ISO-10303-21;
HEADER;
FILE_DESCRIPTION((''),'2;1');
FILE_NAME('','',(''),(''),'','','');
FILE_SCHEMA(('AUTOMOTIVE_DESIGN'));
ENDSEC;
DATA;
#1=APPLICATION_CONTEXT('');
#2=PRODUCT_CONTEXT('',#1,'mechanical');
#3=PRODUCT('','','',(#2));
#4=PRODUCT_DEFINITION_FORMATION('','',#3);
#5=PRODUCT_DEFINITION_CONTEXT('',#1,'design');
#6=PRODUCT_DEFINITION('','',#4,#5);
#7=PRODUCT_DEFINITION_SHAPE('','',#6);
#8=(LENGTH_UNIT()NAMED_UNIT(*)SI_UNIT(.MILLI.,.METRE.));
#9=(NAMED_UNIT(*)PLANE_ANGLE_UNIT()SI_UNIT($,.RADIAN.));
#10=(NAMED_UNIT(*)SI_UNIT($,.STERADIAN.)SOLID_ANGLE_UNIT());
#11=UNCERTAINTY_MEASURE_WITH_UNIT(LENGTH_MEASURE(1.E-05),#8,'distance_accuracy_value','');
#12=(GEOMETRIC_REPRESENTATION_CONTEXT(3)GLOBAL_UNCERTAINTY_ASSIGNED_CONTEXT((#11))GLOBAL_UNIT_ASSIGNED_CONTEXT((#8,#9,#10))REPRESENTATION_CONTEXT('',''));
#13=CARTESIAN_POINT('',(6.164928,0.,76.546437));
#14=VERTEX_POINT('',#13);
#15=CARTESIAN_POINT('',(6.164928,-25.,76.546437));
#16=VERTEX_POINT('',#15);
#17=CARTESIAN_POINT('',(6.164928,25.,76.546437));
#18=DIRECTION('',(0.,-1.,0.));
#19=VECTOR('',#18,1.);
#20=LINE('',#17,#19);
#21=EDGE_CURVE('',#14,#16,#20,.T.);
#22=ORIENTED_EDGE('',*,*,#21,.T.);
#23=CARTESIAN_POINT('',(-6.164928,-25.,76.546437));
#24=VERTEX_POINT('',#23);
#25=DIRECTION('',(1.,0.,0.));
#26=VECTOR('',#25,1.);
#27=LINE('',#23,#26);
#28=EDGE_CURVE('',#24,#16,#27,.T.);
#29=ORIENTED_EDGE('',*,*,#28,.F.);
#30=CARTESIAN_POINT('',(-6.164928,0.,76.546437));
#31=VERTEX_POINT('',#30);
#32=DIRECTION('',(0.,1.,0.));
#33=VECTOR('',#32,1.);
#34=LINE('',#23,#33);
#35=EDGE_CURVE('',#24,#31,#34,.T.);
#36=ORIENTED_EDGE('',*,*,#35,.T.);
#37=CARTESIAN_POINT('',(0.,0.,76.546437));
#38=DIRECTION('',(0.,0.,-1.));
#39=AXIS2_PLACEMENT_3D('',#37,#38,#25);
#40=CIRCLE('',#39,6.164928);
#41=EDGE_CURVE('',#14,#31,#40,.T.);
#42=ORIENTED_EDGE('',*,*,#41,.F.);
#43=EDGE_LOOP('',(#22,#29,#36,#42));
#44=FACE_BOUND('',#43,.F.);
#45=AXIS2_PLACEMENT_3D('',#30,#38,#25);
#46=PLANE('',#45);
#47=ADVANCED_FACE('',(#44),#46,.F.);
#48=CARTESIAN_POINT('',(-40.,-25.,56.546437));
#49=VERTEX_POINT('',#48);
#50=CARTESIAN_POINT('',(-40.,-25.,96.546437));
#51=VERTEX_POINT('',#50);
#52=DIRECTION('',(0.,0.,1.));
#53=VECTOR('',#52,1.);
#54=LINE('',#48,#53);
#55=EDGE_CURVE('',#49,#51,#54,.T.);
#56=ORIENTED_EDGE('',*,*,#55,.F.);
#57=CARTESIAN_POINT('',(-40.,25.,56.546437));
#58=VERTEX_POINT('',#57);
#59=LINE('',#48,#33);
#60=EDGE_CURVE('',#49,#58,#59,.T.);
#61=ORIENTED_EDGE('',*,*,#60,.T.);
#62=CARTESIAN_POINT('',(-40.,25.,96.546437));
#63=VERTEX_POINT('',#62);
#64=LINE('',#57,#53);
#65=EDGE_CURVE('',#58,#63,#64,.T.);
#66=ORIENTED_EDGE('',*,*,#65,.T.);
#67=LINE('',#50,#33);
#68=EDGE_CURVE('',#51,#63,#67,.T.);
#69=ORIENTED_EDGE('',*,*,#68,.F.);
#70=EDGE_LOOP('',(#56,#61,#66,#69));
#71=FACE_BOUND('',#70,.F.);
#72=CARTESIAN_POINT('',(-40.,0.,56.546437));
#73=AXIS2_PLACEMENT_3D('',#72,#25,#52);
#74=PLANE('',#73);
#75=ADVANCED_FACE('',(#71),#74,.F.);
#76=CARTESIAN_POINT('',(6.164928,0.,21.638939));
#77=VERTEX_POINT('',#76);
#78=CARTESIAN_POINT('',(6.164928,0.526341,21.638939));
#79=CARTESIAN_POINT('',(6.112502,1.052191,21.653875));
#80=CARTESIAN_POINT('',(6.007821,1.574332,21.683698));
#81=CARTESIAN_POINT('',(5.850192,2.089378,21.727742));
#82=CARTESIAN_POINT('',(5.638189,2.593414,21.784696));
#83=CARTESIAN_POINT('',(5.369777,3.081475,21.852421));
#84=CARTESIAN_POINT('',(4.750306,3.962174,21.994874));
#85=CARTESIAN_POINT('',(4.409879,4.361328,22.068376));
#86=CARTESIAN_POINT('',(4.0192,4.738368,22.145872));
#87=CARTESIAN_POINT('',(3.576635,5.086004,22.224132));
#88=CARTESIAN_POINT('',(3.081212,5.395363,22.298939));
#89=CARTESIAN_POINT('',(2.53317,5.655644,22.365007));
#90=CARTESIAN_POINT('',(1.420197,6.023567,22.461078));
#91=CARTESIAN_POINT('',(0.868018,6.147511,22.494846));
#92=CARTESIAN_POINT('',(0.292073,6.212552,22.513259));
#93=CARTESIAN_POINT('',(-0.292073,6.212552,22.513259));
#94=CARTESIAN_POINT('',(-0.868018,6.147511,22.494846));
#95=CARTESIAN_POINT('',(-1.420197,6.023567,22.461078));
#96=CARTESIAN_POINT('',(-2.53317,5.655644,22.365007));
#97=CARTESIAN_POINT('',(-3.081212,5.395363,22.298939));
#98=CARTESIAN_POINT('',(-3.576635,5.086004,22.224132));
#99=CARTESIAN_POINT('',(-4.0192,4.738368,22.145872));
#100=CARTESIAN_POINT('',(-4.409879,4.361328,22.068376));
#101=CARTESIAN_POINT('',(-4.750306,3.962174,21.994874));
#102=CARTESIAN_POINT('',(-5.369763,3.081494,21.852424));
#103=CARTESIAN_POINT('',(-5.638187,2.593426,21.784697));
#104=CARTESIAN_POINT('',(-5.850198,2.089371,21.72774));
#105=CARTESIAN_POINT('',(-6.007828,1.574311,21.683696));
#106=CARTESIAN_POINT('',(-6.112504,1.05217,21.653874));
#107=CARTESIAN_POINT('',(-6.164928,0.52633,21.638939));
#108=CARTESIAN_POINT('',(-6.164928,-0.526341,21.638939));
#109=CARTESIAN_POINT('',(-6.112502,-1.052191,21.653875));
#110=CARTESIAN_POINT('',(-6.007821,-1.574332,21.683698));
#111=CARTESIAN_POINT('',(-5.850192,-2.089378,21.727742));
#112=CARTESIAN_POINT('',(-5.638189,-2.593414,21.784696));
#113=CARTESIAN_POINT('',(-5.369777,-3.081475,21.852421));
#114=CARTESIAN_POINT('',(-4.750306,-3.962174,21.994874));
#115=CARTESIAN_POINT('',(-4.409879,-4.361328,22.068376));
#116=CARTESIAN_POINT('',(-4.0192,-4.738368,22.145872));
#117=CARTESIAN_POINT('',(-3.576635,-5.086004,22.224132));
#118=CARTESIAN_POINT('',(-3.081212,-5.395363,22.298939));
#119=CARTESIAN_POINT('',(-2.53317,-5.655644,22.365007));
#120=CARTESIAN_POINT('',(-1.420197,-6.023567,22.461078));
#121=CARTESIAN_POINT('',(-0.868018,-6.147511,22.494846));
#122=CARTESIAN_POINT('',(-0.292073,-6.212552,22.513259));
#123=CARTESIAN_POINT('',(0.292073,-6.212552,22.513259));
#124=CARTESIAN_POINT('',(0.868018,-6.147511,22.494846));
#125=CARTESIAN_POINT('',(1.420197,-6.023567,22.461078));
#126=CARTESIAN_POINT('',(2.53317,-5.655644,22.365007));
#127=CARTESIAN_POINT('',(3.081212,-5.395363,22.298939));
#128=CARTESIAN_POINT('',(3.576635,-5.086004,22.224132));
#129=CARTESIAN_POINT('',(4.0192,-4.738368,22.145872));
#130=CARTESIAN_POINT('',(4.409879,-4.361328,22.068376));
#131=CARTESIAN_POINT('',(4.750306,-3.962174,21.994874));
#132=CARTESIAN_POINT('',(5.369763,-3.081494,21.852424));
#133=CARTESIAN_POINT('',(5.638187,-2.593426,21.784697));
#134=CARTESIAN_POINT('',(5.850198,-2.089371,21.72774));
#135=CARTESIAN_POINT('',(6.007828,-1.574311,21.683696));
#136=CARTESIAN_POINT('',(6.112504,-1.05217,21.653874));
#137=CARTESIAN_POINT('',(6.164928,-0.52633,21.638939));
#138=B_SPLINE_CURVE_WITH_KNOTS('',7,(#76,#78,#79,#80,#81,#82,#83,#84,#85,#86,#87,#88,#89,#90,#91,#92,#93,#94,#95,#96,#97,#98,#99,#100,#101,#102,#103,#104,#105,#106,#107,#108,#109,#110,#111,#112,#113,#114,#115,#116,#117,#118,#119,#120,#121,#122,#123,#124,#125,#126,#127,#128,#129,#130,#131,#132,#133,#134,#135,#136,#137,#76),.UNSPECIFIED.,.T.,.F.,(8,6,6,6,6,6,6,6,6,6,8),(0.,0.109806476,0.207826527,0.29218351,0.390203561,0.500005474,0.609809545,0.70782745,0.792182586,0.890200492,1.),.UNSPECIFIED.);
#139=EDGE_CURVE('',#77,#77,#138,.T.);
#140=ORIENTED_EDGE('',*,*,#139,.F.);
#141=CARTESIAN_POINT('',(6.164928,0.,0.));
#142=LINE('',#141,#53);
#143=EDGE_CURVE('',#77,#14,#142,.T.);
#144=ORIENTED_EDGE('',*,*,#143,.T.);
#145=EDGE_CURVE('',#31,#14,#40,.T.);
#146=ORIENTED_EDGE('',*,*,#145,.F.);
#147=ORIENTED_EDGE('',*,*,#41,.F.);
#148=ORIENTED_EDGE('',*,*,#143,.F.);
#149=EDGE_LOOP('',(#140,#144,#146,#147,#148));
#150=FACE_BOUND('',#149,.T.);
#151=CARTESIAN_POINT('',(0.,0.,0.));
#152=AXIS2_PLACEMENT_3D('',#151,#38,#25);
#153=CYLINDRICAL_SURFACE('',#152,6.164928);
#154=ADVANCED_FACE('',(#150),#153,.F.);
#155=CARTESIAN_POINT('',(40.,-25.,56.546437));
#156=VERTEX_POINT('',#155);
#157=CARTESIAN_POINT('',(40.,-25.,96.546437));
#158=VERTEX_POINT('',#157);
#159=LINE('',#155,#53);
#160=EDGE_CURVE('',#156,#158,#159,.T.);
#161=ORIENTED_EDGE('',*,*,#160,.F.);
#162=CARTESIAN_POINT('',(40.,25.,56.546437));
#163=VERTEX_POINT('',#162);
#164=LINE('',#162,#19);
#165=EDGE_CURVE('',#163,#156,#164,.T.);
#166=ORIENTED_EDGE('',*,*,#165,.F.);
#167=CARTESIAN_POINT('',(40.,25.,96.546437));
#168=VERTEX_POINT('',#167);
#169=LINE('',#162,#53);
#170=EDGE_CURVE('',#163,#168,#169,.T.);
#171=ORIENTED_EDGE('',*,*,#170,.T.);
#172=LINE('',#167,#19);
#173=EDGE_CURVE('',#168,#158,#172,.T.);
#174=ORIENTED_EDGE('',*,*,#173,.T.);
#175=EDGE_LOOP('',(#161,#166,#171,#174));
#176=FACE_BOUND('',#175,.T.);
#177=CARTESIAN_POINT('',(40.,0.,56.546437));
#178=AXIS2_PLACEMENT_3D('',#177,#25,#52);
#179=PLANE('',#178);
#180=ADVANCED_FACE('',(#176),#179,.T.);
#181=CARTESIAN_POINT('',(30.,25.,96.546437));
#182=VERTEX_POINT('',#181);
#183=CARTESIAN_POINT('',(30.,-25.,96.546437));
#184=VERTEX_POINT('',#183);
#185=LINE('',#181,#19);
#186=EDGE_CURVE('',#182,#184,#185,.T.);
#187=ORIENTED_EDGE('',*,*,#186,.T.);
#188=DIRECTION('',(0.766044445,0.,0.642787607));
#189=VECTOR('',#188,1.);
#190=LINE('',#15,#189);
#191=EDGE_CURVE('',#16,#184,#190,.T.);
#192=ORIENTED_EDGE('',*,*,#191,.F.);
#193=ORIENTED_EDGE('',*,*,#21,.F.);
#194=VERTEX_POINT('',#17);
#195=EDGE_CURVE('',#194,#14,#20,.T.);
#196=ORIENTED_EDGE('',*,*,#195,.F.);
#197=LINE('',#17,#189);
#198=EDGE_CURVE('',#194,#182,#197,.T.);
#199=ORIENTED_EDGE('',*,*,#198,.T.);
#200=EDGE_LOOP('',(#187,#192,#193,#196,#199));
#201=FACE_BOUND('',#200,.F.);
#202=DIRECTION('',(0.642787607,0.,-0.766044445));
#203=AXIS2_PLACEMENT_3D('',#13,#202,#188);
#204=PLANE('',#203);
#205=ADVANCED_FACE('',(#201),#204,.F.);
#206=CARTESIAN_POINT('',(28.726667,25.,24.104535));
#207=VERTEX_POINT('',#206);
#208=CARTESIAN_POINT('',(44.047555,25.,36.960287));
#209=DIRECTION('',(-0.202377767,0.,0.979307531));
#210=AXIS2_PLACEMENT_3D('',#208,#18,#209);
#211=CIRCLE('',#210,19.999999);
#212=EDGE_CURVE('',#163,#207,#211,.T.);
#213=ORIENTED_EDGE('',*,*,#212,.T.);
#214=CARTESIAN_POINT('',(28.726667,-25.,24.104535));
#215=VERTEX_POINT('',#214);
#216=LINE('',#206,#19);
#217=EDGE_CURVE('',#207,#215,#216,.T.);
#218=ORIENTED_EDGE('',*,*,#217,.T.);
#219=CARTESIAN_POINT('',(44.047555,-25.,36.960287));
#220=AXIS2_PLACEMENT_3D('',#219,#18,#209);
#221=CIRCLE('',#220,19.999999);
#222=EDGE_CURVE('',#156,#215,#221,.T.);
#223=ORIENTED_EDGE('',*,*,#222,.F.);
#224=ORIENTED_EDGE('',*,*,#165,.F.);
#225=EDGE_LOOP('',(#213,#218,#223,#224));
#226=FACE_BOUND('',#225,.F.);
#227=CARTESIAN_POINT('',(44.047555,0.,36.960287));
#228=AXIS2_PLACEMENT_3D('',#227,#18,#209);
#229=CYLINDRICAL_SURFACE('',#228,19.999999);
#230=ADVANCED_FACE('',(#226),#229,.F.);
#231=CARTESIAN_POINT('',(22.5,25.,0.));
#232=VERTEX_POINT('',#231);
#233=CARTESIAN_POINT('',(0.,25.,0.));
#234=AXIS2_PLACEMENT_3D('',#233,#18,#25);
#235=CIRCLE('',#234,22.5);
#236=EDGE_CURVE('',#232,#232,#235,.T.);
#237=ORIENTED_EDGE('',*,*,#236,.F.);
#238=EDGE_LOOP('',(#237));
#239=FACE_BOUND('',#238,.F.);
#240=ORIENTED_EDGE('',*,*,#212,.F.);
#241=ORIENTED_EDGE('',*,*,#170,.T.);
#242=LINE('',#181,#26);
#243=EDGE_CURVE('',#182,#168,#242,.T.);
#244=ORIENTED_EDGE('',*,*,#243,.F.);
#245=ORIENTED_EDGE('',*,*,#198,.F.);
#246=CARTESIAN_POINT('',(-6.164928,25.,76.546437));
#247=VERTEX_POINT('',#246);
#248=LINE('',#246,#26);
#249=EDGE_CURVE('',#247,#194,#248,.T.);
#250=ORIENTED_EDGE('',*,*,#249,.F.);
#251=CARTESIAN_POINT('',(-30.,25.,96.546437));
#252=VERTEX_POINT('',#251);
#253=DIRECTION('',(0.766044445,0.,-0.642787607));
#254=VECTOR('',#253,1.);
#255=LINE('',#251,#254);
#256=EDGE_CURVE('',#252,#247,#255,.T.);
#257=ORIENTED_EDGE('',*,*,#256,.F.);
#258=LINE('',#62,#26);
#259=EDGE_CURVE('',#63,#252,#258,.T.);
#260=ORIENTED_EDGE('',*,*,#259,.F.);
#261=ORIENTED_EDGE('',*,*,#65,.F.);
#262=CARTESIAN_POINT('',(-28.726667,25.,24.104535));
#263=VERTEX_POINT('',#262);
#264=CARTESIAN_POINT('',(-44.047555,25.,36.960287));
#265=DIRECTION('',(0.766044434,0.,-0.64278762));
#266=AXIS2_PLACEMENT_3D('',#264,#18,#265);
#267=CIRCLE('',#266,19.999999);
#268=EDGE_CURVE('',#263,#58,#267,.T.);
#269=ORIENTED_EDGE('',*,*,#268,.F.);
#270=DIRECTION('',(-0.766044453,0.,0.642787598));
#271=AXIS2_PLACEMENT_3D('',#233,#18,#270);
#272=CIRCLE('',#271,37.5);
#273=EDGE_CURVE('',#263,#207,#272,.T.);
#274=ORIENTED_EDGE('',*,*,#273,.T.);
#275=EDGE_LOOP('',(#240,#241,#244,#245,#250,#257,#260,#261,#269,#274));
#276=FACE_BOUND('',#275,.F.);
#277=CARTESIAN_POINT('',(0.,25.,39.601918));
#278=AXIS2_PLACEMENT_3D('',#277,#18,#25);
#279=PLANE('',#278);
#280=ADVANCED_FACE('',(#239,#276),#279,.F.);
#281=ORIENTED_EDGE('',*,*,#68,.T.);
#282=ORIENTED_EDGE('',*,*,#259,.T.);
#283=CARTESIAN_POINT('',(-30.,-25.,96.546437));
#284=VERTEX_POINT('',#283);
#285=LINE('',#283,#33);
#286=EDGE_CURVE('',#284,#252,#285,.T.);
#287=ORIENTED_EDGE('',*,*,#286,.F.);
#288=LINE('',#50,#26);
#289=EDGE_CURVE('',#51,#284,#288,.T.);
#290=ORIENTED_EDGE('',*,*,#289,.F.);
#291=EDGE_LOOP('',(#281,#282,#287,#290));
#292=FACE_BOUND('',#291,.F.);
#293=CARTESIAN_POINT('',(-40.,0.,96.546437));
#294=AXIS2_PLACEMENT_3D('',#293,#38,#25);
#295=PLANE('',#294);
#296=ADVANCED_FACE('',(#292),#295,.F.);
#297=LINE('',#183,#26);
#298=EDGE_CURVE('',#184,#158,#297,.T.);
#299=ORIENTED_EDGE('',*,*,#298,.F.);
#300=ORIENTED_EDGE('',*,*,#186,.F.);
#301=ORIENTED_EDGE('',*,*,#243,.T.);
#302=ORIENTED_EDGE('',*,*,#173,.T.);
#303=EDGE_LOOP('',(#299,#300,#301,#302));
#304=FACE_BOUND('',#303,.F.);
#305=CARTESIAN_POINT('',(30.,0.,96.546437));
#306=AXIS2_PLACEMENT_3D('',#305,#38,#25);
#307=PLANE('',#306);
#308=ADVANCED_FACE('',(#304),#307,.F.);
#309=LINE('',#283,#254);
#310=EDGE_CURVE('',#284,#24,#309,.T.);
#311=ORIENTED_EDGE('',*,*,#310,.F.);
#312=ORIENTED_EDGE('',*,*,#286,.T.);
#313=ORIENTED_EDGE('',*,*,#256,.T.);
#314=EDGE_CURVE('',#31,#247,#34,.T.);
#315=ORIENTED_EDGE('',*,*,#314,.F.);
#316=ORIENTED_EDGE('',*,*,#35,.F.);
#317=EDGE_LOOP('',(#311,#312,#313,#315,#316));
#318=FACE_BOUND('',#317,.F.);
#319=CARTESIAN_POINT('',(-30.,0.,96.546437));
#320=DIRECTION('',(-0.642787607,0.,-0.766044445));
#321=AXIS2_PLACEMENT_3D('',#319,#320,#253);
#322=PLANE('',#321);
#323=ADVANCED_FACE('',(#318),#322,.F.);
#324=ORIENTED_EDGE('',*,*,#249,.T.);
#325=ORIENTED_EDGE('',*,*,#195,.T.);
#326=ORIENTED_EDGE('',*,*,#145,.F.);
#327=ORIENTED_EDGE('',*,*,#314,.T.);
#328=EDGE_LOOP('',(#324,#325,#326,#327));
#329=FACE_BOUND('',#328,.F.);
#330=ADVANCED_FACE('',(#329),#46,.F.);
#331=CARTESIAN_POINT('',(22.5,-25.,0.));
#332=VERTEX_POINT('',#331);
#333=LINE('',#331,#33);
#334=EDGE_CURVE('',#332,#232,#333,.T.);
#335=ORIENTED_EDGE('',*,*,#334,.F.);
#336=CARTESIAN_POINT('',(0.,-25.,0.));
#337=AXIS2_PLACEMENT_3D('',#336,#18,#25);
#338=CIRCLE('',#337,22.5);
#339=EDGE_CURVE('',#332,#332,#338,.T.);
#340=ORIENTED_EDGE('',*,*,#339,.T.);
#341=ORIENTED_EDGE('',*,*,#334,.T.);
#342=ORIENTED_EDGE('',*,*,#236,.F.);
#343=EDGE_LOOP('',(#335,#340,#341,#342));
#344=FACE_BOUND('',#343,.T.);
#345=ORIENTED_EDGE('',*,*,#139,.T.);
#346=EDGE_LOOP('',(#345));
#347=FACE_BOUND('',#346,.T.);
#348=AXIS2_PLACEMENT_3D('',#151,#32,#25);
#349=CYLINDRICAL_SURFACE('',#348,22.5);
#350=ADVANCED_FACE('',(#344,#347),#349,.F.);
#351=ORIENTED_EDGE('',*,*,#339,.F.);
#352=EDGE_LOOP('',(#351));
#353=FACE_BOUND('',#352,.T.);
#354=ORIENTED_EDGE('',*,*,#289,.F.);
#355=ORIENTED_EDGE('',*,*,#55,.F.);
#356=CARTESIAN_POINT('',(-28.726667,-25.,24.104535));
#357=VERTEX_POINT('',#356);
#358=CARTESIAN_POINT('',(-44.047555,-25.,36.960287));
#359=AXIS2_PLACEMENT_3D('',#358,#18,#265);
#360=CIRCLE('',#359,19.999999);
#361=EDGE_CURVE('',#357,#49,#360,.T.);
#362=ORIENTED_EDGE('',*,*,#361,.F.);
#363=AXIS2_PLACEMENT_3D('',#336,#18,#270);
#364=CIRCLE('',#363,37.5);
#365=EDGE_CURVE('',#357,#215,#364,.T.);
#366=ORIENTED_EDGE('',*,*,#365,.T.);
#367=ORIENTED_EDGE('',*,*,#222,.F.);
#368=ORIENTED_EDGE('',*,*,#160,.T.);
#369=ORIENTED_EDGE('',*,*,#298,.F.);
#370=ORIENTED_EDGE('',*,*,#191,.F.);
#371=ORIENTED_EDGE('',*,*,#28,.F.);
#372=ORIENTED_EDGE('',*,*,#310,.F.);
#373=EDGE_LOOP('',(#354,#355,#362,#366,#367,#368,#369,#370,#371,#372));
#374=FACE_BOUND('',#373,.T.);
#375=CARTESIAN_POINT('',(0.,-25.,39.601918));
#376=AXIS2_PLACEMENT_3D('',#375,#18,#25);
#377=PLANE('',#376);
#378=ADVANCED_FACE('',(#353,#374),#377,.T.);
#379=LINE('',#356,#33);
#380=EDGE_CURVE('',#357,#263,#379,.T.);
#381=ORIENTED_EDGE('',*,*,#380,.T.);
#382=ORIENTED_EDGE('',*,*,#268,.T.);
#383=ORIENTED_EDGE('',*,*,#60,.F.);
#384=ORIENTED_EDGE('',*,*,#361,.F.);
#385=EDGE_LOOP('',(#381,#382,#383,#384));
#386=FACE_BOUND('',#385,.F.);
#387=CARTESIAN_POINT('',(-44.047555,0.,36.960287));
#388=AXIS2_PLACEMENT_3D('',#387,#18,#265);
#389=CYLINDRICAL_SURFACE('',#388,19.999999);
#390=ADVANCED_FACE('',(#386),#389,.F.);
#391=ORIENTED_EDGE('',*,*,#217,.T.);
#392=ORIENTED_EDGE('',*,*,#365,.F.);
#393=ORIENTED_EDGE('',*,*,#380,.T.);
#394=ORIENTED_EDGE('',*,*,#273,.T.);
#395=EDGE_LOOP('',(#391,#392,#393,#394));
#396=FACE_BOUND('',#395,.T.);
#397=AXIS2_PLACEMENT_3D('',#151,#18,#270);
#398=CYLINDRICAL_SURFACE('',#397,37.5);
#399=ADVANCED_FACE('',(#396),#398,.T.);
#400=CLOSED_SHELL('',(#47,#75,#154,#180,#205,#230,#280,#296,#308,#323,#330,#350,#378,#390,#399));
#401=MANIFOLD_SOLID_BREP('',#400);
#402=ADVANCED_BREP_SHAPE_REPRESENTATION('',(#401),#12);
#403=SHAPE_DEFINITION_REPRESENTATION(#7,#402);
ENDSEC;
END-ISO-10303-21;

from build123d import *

# Parameters (mm, degrees)
SKETCH_R     = 22.5
PAD_DEPTH    = 25
SKETCH001_R  = 6.164928
POCKET_DEPTH = 96.547437


with BuildPart() as part:
    # Sketch → Pad (new body, symmetric)
    with BuildSketch(Plane.XZ):
        with BuildLine():
            ThreePointArc((-28.726667, 24.104535), (0, -37.5), (28.726667, 24.104535))
            ThreePointArc((40, 56.546437), (25.155668, 43.525085), (28.726667, 24.104535))
            Line((40, 56.546437), (40, 96.546437))
            Line((30, 96.546437), (40, 96.546437))
            Line((6.164928, 76.546437), (30, 96.546437))
            Line((-6.164928, 76.546437), (6.164928, 76.546437))
            Line((-30, 96.546437), (-6.164928, 76.546437))
            Line((-40, 96.546437), (-30, 96.546437))
            Line((-40, 56.546437), (-40, 96.546437))
            ThreePointArc((-28.726667, 24.104535), (-25.155668, 43.525085), (-40, 56.546437))
        make_face()
        Circle(SKETCH_R, mode=Mode.SUBTRACT)
    extrude(amount=PAD_DEPTH, both=True)

    # Sketch001 → Pocket (cut, through all)
    with BuildSketch(Plane.XY):
        Circle(SKETCH001_R)
    extrude(amount=POCKET_DEPTH, mode=Mode.SUBTRACT)


solid = part.part
